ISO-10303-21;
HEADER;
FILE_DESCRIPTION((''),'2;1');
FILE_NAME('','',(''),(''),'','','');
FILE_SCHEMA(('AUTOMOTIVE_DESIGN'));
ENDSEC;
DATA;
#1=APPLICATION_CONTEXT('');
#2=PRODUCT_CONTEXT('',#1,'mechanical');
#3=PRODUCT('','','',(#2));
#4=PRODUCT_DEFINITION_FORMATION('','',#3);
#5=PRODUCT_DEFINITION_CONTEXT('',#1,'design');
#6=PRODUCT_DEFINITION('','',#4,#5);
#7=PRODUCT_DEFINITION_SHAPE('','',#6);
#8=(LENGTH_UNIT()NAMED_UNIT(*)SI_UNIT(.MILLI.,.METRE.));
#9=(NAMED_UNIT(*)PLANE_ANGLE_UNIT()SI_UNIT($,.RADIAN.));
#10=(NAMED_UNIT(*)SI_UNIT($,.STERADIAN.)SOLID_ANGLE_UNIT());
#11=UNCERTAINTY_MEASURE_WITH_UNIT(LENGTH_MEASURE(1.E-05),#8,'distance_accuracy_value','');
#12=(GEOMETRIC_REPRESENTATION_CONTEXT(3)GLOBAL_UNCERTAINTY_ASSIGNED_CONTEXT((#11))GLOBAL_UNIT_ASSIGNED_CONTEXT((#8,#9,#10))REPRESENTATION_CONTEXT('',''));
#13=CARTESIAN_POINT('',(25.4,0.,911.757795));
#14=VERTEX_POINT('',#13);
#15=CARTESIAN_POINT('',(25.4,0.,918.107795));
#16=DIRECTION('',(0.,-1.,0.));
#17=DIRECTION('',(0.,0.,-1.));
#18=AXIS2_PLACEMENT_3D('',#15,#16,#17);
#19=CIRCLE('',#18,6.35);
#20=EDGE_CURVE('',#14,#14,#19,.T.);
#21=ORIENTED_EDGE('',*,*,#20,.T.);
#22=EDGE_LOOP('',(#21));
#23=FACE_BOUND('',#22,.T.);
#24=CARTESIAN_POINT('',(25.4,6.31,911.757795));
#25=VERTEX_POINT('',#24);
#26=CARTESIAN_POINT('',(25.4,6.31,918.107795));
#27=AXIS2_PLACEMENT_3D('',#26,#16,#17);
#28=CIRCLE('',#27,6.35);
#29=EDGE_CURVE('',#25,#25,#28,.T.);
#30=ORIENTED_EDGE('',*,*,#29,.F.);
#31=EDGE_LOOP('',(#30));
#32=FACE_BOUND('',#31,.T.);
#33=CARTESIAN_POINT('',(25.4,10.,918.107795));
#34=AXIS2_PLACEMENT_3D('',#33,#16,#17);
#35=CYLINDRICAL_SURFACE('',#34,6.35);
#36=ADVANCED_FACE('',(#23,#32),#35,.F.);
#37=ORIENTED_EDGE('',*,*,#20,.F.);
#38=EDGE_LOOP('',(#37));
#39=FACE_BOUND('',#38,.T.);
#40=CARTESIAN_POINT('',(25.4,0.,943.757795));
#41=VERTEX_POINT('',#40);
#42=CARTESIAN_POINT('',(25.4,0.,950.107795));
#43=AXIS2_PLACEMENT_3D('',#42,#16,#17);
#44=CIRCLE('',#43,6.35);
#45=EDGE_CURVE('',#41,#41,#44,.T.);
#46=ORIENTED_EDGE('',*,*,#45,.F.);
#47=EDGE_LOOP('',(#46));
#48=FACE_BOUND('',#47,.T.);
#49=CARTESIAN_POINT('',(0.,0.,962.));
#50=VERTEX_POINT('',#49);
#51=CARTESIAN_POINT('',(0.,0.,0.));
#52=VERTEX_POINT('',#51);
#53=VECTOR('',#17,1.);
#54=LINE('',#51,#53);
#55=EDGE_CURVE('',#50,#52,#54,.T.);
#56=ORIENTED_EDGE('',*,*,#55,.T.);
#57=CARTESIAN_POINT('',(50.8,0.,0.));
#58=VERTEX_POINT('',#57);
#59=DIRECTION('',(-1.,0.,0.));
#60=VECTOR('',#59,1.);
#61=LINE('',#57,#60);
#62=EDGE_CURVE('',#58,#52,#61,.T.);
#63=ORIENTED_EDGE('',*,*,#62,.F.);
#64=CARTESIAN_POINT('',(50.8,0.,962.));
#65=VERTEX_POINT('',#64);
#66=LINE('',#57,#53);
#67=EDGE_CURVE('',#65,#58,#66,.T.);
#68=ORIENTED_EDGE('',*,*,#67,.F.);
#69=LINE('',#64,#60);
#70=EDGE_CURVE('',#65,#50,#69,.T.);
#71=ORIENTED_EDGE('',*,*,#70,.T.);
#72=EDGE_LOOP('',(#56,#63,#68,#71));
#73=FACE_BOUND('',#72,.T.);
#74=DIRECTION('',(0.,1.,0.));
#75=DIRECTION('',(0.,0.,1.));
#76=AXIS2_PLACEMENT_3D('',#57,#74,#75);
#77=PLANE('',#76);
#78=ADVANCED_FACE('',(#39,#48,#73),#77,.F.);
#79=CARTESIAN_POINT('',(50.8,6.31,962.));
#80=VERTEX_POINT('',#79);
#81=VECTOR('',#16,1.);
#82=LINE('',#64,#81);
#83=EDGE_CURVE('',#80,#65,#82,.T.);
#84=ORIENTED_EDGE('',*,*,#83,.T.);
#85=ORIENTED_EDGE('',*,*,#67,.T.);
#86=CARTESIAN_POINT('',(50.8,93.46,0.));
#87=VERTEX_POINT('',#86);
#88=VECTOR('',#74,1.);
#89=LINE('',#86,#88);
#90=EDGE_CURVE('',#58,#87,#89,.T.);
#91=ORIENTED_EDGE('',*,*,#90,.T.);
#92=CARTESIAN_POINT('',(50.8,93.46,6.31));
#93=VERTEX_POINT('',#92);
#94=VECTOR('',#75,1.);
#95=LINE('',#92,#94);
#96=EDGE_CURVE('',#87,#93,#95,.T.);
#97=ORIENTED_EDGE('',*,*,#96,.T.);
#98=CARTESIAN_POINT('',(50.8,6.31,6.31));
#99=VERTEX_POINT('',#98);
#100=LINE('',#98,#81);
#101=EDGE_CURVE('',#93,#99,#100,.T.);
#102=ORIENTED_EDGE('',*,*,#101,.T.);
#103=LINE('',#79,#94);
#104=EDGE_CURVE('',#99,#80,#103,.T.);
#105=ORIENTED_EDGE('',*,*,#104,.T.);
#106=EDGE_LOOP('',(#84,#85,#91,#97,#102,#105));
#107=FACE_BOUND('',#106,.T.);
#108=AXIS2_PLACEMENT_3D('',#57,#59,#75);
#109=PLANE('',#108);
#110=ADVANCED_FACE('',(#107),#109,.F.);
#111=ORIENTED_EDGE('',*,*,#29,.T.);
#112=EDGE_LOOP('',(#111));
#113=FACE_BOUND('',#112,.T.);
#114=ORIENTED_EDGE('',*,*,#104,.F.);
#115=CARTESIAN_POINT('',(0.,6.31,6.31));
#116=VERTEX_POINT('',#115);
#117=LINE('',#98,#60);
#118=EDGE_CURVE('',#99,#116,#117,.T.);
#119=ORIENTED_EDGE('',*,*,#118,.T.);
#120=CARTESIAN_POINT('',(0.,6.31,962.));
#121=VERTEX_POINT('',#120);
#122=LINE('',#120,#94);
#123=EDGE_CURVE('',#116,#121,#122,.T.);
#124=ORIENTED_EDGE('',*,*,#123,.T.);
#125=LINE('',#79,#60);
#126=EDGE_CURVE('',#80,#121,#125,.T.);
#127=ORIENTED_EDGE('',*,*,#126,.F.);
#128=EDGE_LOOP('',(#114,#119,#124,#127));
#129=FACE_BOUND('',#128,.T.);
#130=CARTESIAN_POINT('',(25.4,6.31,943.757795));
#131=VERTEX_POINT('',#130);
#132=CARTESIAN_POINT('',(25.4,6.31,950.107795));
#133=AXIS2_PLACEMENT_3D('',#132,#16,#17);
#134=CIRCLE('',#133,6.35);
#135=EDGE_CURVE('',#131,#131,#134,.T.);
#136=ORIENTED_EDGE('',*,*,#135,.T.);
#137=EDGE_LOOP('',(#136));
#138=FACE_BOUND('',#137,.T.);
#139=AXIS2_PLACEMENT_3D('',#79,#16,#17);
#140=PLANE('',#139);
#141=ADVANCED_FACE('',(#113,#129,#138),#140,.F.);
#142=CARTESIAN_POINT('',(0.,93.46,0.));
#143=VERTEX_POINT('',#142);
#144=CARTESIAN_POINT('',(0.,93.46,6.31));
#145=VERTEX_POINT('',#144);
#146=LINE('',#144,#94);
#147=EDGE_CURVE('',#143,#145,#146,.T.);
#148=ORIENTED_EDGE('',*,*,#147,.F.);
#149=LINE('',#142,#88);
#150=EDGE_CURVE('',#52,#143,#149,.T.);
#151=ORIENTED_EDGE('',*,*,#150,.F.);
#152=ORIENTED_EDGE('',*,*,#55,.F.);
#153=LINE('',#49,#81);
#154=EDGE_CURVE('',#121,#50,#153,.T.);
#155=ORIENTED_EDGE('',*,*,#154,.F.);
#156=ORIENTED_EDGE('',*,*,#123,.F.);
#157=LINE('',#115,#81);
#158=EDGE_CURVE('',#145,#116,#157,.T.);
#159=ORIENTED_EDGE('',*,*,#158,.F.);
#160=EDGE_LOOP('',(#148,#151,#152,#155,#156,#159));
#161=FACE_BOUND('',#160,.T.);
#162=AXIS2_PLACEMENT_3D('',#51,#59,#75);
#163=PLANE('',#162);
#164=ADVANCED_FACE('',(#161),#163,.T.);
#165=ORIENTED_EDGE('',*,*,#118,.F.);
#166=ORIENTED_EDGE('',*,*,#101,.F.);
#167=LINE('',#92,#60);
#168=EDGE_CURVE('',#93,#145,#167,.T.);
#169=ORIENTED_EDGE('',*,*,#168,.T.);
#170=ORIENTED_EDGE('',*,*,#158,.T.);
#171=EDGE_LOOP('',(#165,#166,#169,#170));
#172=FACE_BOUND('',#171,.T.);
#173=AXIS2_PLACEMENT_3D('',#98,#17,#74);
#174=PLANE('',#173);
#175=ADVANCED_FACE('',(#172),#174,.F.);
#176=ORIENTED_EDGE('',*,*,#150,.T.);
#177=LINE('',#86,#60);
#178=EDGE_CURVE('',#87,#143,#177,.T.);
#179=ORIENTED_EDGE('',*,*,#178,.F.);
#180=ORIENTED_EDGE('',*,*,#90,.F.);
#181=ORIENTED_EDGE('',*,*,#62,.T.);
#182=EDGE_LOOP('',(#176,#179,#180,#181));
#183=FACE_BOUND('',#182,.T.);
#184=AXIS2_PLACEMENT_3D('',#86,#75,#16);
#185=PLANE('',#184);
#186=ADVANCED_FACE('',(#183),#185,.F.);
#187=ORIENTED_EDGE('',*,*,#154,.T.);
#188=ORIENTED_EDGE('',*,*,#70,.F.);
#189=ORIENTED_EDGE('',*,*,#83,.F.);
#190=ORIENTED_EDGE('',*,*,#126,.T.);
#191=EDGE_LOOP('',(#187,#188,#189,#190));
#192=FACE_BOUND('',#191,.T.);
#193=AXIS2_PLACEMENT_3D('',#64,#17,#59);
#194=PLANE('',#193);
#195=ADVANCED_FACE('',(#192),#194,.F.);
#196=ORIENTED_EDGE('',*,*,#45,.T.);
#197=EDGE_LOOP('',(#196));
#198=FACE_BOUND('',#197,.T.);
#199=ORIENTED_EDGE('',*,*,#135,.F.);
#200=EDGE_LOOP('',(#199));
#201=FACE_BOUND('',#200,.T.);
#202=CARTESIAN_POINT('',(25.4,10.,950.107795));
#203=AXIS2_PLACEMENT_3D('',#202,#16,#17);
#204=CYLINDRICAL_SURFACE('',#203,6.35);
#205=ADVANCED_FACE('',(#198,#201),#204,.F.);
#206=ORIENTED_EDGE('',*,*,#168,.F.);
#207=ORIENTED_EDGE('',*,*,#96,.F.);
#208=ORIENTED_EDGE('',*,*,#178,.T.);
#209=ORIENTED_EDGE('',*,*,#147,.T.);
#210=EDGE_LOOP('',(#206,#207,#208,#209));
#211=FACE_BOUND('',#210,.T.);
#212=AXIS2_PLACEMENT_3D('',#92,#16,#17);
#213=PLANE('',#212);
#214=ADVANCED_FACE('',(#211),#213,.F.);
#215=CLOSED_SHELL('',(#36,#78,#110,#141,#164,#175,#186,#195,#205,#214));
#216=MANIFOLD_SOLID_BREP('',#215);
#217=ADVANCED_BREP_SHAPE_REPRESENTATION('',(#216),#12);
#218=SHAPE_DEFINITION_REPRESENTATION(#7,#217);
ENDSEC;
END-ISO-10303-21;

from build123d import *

# Parameters (mm, degrees)
SALIENTE_EXTRUIR1_DEPTH = 50.8
CROQUIS6_R              = 6.35
CORTAR_EXTRUIR1_DEPTH   = 10


with BuildPart() as part:
    # Croquis1 → Saliente-Extruir1 (new body)
    with BuildSketch(Plane(origin=(0, 0, 0), x_dir=(0, 0, -1), z_dir=(1, 0, 0))):
        Polygon((-6.31, 93.46), (0, 93.46), (0, 0), (-962, 0), (-962, 6.31), (-6.31, 6.31), align=None)
    extrude(amount=SALIENTE_EXTRUIR1_DEPTH)

    # Croquis6 → Cortar-Extruir1 (cut)
    with BuildSketch(Plane.XZ):
        with Locations(Location((25.4, 918.107795334, 0), (0, 0, 270))):
            Circle(CROQUIS6_R)
        with Locations(Location((25.4, 950.107795334, 0), (0, 0, 270))):
            Circle(CROQUIS6_R)
    extrude(amount=-CORTAR_EXTRUIR1_DEPTH, mode=Mode.SUBTRACT)


solid = part.part
